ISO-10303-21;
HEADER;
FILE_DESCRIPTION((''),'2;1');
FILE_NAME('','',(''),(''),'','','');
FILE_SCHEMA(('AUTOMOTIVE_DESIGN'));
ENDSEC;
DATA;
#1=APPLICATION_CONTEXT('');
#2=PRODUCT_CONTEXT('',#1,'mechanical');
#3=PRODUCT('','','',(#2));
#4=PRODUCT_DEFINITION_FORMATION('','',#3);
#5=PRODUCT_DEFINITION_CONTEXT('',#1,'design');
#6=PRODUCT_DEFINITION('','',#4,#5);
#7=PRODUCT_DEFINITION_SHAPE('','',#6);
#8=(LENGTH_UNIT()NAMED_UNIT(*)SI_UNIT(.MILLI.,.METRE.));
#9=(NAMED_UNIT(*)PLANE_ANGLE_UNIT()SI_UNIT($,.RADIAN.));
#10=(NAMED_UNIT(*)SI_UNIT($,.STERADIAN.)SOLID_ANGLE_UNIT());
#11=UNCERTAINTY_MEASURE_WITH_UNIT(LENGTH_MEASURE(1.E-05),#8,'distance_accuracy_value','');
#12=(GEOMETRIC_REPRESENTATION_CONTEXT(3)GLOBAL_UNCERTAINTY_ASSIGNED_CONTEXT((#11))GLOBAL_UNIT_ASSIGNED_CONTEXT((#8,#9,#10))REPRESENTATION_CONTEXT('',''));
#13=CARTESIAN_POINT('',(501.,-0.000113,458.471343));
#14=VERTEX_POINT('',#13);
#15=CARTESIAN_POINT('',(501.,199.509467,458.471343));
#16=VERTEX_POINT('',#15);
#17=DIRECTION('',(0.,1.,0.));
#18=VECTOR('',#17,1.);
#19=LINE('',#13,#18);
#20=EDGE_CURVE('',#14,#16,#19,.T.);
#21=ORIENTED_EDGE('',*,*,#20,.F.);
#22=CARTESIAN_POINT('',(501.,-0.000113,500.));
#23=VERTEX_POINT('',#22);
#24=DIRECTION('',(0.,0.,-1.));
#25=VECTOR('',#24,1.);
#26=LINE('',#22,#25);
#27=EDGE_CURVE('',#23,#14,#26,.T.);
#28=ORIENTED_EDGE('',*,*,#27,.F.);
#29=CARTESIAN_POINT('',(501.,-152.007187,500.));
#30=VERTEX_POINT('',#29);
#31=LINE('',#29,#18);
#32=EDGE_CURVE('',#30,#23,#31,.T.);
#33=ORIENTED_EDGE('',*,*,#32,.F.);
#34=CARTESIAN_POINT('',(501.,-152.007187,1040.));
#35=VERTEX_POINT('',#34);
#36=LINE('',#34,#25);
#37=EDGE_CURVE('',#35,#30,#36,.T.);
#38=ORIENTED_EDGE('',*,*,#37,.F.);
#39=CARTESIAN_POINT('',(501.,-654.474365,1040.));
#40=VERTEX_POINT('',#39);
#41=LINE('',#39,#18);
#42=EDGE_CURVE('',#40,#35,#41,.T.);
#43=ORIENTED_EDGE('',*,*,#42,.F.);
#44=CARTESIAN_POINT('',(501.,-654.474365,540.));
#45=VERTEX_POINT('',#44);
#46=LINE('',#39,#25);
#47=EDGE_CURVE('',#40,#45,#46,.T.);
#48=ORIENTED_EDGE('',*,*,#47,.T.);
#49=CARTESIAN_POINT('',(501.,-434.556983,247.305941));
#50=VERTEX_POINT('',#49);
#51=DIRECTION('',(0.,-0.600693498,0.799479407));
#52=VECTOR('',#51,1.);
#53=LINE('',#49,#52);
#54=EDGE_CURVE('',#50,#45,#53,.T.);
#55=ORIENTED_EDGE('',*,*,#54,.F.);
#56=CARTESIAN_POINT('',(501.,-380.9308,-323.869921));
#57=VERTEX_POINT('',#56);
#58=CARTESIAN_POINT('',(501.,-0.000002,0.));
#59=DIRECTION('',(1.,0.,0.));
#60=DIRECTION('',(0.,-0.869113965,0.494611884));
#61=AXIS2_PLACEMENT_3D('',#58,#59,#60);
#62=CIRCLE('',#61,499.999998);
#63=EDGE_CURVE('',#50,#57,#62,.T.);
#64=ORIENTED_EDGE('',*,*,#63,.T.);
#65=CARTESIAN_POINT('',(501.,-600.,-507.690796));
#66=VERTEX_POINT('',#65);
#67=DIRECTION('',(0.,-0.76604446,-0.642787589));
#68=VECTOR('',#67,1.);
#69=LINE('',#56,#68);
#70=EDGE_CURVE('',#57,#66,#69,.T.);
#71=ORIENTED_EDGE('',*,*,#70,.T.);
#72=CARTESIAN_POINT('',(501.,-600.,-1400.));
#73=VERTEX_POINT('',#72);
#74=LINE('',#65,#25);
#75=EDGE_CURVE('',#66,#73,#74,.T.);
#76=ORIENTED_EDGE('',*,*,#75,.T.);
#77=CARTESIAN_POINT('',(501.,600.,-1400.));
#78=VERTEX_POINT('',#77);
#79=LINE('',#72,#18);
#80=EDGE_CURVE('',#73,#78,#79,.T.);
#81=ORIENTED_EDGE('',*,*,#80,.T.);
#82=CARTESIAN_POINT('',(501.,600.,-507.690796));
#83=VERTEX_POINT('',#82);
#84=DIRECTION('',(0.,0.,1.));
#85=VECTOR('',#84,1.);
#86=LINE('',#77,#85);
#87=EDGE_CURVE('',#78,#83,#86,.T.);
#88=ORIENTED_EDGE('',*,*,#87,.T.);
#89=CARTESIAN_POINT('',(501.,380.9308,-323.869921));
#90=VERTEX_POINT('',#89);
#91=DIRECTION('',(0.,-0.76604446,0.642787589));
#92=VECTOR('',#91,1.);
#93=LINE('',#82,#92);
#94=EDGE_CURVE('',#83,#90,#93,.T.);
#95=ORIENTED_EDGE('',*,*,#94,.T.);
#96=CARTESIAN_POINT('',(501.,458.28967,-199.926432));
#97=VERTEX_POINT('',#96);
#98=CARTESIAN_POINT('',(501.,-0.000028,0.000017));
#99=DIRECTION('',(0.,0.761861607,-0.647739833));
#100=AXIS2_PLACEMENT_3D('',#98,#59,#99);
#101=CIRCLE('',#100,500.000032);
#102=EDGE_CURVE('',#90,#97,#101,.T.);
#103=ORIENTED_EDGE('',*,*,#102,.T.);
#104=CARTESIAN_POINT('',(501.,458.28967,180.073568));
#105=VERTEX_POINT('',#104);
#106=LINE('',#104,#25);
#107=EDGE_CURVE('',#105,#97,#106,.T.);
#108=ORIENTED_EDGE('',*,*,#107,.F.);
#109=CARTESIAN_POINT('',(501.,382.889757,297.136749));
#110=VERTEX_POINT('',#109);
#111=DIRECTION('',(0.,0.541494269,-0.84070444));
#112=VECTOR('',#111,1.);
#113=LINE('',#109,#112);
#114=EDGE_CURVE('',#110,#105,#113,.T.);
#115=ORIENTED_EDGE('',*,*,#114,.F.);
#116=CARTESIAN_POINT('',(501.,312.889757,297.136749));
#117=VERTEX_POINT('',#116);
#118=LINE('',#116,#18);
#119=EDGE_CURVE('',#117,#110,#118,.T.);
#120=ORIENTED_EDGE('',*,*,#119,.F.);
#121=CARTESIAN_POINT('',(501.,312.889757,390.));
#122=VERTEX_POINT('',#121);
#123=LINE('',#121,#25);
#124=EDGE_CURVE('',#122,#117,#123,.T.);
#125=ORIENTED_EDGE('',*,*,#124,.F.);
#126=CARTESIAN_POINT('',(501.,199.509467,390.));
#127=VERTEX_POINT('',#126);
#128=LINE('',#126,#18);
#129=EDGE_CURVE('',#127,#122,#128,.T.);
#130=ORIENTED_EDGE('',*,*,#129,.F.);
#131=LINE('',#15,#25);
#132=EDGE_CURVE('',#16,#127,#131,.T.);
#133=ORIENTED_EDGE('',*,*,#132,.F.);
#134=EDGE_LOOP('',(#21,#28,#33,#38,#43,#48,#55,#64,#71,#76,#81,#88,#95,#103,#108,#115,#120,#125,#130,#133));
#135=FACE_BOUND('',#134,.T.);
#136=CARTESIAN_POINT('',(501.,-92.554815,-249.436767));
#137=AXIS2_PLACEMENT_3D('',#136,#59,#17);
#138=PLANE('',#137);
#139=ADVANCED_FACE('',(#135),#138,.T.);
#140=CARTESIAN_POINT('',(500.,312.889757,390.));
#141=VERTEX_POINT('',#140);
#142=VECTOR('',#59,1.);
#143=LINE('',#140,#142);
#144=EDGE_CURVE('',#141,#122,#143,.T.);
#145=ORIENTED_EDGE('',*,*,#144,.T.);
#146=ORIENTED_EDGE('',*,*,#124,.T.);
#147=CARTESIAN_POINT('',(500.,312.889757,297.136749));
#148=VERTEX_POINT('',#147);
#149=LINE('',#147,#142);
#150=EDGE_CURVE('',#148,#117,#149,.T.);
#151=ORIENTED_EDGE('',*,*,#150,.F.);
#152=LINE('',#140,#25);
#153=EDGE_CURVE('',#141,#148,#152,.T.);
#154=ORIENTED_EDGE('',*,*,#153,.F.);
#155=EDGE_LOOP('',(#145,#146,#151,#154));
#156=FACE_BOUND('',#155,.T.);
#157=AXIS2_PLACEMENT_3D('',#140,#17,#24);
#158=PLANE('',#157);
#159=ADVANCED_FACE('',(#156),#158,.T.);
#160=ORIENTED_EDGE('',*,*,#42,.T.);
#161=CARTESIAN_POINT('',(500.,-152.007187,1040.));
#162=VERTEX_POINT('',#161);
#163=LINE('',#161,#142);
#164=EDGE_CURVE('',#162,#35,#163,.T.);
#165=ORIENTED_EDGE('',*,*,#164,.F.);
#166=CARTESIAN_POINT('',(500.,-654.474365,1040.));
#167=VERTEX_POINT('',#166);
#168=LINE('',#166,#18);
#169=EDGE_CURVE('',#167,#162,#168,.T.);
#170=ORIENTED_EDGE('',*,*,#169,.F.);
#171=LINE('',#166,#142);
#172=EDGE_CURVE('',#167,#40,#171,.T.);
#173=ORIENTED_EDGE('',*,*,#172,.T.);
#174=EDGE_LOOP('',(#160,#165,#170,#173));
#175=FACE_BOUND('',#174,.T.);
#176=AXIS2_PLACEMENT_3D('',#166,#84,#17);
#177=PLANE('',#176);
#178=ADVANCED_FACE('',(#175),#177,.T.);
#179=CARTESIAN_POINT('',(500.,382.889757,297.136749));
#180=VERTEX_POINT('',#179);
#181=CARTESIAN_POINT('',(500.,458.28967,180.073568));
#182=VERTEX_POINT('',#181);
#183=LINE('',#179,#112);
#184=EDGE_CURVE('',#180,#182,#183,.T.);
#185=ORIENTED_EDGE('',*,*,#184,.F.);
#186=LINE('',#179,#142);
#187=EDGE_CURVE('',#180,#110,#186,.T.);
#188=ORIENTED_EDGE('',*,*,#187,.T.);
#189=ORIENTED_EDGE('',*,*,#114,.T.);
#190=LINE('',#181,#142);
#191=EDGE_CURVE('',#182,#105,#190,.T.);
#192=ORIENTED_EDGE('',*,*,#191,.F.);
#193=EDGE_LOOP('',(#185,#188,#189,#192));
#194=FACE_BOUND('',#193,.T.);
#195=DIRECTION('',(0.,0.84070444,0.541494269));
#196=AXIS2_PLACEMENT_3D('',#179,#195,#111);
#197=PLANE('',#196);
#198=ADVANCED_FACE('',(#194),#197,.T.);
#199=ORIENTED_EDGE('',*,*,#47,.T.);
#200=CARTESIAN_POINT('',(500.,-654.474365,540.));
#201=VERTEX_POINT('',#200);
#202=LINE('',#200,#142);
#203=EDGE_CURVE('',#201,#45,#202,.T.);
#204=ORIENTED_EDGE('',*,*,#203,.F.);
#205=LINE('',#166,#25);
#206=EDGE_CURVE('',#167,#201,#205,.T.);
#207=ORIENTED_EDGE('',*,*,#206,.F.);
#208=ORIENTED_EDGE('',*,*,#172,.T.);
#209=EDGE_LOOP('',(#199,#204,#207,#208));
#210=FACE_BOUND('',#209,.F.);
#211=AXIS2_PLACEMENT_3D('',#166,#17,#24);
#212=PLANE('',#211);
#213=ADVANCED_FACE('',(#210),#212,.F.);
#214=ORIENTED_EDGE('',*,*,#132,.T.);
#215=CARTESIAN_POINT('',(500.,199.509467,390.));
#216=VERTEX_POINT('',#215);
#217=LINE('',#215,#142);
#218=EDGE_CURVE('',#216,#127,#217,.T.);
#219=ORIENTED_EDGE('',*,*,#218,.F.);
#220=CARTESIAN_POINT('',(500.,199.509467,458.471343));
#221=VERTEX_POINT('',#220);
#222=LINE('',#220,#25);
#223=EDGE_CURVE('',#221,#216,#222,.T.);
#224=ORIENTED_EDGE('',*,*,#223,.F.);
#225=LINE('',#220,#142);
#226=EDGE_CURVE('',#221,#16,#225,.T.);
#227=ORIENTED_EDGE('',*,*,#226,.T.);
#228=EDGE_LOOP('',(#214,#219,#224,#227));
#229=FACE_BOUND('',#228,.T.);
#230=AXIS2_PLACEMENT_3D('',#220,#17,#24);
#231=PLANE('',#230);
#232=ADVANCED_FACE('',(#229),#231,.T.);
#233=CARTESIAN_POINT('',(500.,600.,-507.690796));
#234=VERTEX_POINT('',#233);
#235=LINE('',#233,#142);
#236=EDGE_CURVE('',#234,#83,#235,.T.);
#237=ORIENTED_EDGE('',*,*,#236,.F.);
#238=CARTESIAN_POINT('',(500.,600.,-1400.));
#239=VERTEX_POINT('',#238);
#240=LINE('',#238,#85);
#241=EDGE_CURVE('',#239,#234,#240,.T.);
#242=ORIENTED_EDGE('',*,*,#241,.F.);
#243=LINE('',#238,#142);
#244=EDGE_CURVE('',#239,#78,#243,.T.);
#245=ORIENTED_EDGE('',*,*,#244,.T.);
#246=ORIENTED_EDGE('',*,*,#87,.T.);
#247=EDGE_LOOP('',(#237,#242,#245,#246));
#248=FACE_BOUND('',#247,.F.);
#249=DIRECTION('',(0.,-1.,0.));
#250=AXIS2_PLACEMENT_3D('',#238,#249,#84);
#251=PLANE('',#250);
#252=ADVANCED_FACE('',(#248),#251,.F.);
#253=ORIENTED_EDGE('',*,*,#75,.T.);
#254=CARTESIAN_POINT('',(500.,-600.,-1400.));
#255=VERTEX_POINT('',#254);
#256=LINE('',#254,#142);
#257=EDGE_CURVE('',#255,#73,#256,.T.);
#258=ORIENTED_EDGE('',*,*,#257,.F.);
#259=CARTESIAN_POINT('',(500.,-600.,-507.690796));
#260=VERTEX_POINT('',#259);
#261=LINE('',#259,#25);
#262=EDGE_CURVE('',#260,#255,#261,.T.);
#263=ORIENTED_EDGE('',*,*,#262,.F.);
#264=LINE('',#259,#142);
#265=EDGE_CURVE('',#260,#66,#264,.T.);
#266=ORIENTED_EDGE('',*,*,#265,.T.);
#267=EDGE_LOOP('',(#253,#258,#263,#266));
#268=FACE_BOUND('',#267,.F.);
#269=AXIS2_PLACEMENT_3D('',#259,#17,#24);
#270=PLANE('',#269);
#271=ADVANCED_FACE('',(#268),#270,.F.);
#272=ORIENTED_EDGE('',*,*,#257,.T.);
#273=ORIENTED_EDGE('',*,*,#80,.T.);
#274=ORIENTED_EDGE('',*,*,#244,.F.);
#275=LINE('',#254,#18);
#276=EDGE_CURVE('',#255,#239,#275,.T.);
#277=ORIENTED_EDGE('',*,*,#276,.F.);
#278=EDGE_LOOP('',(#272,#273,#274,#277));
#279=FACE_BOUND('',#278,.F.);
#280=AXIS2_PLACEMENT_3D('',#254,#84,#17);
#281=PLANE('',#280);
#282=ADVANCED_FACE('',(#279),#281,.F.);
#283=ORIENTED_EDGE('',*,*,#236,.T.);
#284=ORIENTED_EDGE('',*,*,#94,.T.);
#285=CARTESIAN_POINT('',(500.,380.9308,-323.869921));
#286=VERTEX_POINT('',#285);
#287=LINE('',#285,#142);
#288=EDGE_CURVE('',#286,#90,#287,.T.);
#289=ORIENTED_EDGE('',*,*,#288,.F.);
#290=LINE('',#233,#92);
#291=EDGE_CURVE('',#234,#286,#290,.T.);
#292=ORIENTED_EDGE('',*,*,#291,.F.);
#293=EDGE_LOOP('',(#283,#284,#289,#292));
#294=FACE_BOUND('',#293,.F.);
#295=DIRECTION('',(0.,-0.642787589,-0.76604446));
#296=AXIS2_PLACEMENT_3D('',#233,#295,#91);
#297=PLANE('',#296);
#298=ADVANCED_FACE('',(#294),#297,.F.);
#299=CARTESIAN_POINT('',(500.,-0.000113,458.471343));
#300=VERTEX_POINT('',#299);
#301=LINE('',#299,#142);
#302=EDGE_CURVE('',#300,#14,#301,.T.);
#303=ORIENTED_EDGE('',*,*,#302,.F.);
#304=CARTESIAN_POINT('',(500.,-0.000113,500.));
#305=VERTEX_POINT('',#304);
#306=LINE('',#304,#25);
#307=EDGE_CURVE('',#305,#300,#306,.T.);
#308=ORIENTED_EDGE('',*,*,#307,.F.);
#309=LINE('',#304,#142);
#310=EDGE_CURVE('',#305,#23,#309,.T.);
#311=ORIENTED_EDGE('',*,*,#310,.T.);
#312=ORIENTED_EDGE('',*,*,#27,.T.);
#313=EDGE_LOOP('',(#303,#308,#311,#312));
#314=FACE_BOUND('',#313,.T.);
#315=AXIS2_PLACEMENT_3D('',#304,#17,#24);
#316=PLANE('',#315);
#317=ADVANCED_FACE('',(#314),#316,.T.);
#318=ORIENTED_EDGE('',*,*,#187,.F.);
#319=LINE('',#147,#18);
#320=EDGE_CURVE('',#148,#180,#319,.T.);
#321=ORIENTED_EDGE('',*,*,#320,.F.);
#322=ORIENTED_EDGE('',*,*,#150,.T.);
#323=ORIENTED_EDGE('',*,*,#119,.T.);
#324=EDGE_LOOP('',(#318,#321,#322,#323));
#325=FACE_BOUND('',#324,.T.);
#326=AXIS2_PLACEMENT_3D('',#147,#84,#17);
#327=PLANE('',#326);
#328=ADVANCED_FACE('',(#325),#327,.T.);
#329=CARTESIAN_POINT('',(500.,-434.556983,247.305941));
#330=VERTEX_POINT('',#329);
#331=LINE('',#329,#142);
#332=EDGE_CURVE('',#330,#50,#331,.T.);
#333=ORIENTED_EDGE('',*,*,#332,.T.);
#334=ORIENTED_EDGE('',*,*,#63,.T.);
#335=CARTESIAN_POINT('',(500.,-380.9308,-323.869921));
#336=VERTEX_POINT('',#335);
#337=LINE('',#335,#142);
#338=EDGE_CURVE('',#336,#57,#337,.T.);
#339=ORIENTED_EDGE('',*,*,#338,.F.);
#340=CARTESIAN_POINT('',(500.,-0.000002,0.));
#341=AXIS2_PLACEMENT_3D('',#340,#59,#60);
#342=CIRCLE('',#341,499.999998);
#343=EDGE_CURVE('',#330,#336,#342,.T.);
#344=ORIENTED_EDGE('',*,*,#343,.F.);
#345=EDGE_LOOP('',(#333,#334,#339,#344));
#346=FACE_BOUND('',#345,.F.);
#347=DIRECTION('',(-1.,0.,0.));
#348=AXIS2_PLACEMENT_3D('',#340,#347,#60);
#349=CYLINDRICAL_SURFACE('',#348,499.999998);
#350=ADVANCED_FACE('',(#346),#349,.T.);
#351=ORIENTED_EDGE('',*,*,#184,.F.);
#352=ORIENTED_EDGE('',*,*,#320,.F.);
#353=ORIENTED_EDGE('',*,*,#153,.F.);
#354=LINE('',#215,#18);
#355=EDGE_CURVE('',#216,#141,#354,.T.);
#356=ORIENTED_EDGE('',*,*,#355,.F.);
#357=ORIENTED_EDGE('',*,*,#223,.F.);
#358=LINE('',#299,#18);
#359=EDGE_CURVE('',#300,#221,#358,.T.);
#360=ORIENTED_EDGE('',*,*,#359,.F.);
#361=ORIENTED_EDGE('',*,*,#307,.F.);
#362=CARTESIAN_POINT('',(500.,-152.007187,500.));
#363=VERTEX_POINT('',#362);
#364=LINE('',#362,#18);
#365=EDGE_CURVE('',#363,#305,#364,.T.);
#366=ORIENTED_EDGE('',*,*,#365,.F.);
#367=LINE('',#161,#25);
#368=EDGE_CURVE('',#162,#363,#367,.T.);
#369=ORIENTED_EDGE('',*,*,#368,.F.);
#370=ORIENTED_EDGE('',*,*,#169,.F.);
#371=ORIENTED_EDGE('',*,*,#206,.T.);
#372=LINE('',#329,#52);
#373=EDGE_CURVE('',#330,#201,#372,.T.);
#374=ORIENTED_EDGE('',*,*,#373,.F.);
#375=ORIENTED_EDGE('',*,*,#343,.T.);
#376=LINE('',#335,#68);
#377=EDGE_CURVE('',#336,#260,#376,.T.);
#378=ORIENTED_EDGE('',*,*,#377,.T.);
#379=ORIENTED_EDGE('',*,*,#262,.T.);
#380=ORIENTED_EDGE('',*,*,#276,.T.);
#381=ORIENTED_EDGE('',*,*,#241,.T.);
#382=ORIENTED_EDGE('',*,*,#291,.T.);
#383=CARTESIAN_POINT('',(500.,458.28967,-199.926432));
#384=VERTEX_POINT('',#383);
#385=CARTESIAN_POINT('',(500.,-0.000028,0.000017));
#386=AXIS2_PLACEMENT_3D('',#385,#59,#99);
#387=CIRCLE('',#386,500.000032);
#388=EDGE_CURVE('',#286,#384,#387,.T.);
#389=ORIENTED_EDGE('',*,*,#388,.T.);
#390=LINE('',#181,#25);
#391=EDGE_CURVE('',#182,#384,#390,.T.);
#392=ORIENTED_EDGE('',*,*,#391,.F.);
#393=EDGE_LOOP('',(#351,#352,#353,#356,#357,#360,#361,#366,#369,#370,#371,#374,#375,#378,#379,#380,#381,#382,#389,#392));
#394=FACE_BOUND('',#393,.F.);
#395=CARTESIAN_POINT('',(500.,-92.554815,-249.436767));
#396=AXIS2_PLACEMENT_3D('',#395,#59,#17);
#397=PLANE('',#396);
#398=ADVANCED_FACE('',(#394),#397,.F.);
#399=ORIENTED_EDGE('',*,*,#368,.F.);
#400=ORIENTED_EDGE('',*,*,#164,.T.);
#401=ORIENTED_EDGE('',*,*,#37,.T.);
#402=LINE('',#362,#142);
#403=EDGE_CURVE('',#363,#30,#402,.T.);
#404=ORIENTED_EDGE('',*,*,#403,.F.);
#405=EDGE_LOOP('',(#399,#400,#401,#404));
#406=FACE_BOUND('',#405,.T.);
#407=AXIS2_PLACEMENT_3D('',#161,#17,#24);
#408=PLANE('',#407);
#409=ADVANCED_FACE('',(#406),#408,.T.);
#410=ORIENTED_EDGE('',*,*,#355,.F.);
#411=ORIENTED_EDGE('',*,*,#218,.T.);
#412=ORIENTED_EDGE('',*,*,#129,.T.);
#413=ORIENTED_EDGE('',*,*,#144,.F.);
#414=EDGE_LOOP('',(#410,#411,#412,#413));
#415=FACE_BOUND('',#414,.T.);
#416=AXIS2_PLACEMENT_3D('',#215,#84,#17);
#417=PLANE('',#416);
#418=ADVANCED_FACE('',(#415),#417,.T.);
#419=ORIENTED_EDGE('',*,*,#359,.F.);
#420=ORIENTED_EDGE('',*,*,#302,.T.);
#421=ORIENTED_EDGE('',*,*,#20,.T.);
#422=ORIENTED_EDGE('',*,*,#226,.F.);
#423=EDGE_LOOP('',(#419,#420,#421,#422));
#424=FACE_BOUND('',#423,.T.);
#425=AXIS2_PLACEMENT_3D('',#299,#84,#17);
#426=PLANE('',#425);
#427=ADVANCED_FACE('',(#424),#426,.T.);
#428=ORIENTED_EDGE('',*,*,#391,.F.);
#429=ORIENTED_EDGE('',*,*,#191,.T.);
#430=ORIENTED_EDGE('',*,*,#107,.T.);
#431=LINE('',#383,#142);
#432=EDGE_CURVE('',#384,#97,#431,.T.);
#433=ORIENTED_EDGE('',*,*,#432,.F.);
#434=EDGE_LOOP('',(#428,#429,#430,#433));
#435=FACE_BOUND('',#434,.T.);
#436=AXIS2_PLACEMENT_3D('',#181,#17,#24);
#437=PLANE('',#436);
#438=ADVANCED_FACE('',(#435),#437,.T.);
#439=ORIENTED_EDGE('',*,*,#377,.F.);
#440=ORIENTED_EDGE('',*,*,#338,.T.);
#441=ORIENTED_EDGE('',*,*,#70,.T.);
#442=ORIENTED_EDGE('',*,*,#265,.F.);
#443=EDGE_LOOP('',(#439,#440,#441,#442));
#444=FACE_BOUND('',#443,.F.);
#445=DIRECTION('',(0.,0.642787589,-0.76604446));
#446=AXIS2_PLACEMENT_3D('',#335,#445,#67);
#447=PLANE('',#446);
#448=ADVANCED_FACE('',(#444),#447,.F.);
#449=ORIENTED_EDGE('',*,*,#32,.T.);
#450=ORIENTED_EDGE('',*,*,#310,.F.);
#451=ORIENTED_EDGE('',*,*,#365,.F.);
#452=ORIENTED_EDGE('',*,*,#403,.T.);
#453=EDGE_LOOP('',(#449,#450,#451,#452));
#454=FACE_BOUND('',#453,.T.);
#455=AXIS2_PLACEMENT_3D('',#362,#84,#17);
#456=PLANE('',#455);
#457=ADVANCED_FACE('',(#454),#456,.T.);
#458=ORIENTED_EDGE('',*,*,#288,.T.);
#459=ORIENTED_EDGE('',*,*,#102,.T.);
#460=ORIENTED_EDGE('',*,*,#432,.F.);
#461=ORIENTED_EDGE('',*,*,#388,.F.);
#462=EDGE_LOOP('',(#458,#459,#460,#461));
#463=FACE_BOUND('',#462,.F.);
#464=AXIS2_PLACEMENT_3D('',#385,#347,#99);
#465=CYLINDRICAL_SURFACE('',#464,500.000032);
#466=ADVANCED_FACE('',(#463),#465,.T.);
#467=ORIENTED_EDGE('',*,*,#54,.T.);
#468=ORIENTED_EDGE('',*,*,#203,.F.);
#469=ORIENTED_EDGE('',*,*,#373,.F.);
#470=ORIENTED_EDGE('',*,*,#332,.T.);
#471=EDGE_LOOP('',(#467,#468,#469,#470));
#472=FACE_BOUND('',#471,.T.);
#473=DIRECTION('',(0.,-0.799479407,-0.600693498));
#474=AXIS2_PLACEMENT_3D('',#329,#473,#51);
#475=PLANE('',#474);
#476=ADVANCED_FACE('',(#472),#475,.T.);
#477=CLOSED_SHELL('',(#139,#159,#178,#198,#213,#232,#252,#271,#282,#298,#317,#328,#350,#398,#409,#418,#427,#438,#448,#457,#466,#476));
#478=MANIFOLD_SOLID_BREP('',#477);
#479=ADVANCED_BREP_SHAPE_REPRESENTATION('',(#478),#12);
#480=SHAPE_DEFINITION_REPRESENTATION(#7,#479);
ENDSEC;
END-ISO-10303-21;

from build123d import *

# Parameters (mm, degrees)
PAD_DEPTH = 1


with BuildPart() as part:
    # Sketch → Pad (new body)
    with BuildSketch(Plane.YZ.offset(500)):
        with BuildLine():
            ThreePointArc((-434.556983, 247.305941), (-497.810755, -46.738128), (-380.9308, -323.869921))
            Line((-380.9308, -323.869921), (-600, -507.690796))
            Line((-600, -507.690796), (-600, -1400))
            Line((-600, -1400), (600, -1400))
            Line((600, -1400), (600, -507.690796))
            Line((600, -507.690796), (380.9308, -323.869921))
            ThreePointArc((380.9308, -323.869921), (424.161816, -264.739029), (458.28967, -199.926432))
            Line((458.28967, 180.073568), (458.28967, -199.926432))
            Line((382.889757, 297.136749), (458.28967, 180.073568))
            Line((312.889757, 297.136749), (382.889757, 297.136749))
            Line((312.889757, 390), (312.889757, 297.136749))
            Line((199.509467, 390), (312.889757, 390))
            Line((199.509467, 458.471343), (199.509467, 390))
            Line((-0.000113, 458.471343), (199.509467, 458.471343))
            Line((-0.000113, 500), (-0.000113, 458.471343))
            Line((-152.007187, 500), (-0.000113, 500))
            Line((-152.007187, 1040), (-152.007187, 500))
            Line((-654.474365, 1040), (-152.007187, 1040))
            Line((-654.474365, 1040), (-654.474365, 540))
            Line((-434.556983, 247.305941), (-654.474365, 540))
        make_face()
    extrude(amount=PAD_DEPTH)


solid = part.part
